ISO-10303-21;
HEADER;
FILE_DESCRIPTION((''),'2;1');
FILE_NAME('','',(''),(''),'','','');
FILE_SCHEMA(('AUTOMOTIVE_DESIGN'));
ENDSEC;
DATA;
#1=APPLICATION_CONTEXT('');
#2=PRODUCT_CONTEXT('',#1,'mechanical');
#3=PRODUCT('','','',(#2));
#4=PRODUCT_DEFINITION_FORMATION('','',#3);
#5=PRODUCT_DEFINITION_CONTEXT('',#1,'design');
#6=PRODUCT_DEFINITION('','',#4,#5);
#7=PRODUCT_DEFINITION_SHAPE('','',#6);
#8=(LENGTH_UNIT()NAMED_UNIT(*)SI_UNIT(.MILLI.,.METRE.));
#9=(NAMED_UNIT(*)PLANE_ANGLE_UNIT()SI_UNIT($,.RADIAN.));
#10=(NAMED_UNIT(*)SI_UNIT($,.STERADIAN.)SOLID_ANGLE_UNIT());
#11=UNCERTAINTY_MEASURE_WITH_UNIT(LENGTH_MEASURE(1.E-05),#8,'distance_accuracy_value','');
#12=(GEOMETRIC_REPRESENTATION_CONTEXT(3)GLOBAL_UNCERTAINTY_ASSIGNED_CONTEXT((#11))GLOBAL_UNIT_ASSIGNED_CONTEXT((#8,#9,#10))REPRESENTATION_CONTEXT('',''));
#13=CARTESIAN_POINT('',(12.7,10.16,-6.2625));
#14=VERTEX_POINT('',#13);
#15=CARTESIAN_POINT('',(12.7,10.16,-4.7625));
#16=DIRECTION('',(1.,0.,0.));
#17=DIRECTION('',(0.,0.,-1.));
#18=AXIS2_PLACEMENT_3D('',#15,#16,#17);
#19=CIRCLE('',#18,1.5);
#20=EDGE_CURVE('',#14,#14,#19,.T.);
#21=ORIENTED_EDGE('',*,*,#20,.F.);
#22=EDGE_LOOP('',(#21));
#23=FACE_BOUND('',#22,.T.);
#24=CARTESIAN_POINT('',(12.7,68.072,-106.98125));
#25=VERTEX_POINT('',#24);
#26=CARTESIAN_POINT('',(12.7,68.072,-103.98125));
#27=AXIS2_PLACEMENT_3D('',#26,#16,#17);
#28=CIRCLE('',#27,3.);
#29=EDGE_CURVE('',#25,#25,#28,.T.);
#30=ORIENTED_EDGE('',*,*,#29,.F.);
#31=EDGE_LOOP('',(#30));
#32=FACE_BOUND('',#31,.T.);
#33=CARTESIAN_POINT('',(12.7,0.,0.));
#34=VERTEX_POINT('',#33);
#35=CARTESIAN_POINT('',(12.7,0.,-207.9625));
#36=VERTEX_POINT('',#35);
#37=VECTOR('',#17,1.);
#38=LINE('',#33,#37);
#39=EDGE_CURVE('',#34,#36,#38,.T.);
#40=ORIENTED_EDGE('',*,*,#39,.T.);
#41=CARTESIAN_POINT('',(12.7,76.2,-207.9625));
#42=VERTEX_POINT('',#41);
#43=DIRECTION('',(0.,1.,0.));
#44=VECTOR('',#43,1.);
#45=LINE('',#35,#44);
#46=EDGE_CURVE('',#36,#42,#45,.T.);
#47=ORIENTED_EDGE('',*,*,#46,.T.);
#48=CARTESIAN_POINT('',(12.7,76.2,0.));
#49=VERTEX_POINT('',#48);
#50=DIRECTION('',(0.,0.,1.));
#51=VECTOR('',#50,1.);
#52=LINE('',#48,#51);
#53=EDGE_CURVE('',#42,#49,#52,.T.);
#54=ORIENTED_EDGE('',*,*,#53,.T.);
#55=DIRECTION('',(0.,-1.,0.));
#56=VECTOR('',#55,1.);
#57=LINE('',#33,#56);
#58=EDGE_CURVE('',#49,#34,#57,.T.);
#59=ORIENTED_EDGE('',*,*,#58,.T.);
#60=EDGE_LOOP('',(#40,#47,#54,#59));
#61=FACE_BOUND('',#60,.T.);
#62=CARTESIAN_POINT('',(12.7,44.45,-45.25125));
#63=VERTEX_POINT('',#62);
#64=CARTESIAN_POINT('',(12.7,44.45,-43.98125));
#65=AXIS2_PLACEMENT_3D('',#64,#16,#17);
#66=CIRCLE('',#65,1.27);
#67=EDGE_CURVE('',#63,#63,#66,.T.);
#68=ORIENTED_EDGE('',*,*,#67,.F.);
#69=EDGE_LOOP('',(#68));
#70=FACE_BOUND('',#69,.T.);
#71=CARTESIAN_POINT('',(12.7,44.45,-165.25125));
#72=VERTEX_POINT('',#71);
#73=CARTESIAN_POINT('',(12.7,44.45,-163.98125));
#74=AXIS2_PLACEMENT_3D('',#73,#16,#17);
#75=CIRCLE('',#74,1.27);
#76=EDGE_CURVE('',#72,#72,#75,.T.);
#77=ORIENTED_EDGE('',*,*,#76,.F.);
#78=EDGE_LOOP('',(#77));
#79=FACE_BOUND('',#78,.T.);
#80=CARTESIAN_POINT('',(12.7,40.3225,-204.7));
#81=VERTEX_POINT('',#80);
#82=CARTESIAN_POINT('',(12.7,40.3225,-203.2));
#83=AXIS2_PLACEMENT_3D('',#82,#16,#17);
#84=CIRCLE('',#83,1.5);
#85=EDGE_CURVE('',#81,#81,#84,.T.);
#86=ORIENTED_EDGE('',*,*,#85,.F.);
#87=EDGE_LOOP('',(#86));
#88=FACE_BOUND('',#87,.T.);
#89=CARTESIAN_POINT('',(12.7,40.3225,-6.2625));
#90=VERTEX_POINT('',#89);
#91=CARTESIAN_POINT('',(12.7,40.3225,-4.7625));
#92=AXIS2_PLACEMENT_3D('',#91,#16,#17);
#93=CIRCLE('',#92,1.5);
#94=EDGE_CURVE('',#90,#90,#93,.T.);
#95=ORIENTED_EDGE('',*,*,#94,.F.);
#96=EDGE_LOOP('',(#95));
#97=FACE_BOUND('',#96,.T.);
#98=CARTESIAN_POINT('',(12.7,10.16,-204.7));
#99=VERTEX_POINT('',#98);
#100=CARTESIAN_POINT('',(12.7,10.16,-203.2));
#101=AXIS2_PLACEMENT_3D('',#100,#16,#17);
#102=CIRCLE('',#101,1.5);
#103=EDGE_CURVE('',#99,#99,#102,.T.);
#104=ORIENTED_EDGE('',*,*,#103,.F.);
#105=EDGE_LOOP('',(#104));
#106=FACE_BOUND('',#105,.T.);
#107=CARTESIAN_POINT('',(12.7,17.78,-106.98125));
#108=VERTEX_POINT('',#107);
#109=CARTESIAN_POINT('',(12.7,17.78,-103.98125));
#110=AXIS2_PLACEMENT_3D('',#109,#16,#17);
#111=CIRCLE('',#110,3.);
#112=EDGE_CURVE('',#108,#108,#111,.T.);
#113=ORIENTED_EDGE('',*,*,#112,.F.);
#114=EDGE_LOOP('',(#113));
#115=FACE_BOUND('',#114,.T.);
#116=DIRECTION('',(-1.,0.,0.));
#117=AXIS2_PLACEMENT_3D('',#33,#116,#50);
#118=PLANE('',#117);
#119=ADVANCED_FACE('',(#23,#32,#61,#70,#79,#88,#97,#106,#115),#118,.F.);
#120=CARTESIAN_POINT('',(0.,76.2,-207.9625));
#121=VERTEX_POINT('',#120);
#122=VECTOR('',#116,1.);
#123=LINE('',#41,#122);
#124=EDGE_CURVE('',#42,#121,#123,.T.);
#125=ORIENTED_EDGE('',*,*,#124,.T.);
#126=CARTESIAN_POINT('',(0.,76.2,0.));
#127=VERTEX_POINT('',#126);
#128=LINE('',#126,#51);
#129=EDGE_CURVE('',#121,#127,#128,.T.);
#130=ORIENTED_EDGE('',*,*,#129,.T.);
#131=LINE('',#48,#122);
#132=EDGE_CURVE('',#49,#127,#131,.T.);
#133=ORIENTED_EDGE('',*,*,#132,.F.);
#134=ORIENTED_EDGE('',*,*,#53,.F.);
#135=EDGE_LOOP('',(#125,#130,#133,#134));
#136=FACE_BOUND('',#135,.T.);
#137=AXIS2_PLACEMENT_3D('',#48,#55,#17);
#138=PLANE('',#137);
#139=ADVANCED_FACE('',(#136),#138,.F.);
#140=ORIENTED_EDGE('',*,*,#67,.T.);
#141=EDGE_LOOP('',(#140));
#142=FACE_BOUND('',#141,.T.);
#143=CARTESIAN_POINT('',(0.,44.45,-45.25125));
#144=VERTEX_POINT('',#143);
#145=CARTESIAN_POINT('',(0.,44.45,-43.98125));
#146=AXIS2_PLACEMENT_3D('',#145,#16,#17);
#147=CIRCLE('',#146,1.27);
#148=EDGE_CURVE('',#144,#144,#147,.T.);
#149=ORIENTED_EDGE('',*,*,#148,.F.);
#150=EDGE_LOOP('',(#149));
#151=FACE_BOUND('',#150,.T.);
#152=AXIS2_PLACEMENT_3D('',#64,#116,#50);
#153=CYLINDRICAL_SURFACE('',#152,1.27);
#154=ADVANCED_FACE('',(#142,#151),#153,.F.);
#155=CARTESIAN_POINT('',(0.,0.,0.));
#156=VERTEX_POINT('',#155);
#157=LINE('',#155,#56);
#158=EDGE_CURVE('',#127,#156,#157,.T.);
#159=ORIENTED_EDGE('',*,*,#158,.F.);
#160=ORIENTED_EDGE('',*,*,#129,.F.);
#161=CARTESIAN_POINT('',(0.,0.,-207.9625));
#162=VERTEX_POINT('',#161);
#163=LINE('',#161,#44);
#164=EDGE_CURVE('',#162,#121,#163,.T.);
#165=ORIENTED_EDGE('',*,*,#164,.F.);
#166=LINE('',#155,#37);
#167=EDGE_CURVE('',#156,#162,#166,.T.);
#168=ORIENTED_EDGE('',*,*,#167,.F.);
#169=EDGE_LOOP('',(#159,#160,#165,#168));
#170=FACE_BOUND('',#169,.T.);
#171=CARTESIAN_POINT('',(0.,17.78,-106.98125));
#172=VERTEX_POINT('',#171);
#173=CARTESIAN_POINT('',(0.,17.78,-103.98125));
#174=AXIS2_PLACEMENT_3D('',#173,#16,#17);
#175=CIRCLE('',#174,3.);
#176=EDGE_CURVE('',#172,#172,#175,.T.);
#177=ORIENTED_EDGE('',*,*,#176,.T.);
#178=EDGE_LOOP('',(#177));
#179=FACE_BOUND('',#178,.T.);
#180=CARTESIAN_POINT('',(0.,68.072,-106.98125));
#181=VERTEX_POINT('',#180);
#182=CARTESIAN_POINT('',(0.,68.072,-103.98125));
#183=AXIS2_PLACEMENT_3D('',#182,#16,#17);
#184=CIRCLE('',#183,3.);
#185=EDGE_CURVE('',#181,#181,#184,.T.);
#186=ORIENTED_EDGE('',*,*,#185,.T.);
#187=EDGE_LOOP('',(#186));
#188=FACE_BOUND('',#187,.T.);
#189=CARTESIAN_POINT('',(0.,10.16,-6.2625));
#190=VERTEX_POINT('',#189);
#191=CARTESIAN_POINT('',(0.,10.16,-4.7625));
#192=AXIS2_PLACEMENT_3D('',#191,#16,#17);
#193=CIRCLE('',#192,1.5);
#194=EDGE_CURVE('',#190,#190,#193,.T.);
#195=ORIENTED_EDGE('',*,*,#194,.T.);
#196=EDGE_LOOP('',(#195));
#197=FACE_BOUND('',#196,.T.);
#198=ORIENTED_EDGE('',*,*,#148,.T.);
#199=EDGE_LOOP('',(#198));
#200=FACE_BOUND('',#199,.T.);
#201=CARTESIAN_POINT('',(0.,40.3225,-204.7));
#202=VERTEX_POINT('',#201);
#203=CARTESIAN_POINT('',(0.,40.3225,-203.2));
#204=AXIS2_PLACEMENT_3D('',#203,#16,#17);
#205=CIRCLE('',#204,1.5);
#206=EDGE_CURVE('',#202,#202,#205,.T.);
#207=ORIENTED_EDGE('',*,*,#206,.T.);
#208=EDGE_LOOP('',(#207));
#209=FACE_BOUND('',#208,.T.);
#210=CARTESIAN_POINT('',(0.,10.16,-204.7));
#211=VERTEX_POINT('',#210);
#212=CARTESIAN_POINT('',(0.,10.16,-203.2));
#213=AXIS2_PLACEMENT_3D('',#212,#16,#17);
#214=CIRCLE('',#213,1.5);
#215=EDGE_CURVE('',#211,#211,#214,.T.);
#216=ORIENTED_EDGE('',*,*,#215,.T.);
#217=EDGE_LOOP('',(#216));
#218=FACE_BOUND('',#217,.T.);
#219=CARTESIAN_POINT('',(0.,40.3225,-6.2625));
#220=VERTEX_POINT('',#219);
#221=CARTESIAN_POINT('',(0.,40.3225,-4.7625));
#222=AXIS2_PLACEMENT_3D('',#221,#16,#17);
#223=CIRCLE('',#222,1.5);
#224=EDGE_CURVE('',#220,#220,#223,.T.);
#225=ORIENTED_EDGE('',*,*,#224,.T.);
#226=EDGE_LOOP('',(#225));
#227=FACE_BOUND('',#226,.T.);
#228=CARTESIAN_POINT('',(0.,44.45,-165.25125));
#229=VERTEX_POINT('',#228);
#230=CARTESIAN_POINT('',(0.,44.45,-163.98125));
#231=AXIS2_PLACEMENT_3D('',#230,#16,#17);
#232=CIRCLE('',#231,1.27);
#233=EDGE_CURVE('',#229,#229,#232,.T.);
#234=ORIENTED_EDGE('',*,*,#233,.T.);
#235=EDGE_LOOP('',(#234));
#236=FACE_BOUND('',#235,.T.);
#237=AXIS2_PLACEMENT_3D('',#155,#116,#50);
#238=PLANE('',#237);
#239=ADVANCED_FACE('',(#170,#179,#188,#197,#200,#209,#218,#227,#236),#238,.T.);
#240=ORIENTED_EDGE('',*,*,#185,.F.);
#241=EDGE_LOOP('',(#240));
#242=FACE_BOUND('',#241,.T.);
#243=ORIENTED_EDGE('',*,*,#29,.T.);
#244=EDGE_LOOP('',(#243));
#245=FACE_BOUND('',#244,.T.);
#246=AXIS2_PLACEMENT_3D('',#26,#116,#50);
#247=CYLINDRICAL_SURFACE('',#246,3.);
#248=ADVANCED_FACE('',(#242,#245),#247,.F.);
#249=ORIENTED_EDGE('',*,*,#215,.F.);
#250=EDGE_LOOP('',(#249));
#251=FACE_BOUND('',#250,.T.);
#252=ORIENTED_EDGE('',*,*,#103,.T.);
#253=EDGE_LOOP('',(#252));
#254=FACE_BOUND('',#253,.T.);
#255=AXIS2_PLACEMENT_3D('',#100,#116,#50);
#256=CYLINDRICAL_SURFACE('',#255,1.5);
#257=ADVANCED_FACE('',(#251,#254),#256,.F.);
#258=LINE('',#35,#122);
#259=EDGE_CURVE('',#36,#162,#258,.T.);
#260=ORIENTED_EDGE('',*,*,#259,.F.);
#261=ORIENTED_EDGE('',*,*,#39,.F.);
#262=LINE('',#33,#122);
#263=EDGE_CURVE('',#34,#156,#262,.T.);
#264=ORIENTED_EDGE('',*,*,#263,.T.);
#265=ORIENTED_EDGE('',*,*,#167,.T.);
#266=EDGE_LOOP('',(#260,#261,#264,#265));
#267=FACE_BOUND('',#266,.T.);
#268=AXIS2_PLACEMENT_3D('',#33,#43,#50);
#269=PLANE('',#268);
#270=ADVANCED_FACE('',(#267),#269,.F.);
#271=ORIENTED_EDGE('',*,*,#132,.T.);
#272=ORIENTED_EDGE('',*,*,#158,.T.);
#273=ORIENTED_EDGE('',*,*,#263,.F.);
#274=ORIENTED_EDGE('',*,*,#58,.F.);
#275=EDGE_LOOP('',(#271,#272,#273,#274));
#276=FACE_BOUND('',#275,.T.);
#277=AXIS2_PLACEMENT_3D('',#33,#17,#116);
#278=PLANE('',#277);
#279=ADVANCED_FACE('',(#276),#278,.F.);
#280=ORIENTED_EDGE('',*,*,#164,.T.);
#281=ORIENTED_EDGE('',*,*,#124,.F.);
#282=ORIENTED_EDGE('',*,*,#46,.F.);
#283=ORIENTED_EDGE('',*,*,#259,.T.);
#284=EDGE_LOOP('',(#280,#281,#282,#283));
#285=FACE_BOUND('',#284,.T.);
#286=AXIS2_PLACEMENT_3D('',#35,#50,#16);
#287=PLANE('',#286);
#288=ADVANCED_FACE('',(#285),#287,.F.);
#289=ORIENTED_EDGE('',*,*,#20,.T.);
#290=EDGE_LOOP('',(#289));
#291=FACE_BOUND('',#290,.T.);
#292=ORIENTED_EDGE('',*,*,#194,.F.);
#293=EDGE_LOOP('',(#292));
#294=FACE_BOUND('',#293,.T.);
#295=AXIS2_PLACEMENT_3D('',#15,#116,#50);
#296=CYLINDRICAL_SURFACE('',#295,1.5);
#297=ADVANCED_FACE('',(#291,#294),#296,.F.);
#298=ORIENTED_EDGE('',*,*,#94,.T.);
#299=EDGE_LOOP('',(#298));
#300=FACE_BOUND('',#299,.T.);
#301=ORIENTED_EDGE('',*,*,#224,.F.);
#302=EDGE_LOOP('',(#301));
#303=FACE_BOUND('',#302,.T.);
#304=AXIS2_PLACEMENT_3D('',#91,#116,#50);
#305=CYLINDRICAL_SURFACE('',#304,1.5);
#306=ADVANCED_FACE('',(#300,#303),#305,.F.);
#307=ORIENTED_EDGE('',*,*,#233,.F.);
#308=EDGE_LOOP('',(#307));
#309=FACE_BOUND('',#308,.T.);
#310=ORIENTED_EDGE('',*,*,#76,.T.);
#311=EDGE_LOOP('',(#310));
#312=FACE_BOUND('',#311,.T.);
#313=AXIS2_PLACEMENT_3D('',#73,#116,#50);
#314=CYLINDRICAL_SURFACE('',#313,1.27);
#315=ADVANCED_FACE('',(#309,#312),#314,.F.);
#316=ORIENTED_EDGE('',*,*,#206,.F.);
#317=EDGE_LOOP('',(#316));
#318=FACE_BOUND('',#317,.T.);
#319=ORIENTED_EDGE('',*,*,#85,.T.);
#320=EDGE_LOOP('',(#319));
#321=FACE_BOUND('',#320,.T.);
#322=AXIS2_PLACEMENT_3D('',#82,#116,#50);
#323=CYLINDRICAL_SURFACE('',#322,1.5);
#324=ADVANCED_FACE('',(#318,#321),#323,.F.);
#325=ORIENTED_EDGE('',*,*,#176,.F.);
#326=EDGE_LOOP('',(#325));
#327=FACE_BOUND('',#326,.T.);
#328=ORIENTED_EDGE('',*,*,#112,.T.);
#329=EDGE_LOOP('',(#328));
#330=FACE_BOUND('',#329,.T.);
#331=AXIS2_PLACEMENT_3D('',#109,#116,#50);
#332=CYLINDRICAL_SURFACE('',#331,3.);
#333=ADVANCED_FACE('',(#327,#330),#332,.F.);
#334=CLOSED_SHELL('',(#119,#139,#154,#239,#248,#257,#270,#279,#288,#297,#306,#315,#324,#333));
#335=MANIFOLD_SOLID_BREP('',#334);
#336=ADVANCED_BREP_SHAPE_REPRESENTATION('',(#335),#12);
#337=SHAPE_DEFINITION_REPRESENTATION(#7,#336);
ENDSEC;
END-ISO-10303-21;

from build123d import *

# Parameters (mm, degrees)
SKETCH1_W           = 207.9625
SKETCH1_H           = 76.2
SKETCH1_R           = 3
SKETCH1_R_2         = 1.27
SKETCH1_R_3         = 1.5
BOSS_EXTRUDE1_DEPTH = 12.7


with BuildPart() as part:
    # Sketch1 → Boss-Extrude1 (new body)
    with BuildSketch(Plane(origin=(0, 0, 0), x_dir=(0, 0, -1), z_dir=(1, 0, 0))):
        with Locations((103.98125, 38.1)):
            Rectangle(SKETCH1_W, SKETCH1_H)
        with Locations((103.98125, 68.072)):
            Circle(SKETCH1_R, mode=Mode.SUBTRACT)
        with Locations((103.98125, 17.78)):
            Circle(SKETCH1_R, mode=Mode.SUBTRACT)
        with Locations((43.981250056, 44.45)):
            Circle(SKETCH1_R_2, mode=Mode.SUBTRACT)
        with Locations((163.981249944, 44.45)):
            Circle(SKETCH1_R_2, mode=Mode.SUBTRACT)
        with Locations((4.7625, 40.3225)):
            Circle(SKETCH1_R_3, mode=Mode.SUBTRACT)
        with Locations((4.7625, 10.16)):
            Circle(SKETCH1_R_3, mode=Mode.SUBTRACT)
        with Locations((203.2, 40.3225)):
            Circle(SKETCH1_R_3, mode=Mode.SUBTRACT)
        with Locations((203.2, 10.16)):
            Circle(SKETCH1_R_3, mode=Mode.SUBTRACT)
    extrude(amount=BOSS_EXTRUDE1_DEPTH)


solid = part.part
